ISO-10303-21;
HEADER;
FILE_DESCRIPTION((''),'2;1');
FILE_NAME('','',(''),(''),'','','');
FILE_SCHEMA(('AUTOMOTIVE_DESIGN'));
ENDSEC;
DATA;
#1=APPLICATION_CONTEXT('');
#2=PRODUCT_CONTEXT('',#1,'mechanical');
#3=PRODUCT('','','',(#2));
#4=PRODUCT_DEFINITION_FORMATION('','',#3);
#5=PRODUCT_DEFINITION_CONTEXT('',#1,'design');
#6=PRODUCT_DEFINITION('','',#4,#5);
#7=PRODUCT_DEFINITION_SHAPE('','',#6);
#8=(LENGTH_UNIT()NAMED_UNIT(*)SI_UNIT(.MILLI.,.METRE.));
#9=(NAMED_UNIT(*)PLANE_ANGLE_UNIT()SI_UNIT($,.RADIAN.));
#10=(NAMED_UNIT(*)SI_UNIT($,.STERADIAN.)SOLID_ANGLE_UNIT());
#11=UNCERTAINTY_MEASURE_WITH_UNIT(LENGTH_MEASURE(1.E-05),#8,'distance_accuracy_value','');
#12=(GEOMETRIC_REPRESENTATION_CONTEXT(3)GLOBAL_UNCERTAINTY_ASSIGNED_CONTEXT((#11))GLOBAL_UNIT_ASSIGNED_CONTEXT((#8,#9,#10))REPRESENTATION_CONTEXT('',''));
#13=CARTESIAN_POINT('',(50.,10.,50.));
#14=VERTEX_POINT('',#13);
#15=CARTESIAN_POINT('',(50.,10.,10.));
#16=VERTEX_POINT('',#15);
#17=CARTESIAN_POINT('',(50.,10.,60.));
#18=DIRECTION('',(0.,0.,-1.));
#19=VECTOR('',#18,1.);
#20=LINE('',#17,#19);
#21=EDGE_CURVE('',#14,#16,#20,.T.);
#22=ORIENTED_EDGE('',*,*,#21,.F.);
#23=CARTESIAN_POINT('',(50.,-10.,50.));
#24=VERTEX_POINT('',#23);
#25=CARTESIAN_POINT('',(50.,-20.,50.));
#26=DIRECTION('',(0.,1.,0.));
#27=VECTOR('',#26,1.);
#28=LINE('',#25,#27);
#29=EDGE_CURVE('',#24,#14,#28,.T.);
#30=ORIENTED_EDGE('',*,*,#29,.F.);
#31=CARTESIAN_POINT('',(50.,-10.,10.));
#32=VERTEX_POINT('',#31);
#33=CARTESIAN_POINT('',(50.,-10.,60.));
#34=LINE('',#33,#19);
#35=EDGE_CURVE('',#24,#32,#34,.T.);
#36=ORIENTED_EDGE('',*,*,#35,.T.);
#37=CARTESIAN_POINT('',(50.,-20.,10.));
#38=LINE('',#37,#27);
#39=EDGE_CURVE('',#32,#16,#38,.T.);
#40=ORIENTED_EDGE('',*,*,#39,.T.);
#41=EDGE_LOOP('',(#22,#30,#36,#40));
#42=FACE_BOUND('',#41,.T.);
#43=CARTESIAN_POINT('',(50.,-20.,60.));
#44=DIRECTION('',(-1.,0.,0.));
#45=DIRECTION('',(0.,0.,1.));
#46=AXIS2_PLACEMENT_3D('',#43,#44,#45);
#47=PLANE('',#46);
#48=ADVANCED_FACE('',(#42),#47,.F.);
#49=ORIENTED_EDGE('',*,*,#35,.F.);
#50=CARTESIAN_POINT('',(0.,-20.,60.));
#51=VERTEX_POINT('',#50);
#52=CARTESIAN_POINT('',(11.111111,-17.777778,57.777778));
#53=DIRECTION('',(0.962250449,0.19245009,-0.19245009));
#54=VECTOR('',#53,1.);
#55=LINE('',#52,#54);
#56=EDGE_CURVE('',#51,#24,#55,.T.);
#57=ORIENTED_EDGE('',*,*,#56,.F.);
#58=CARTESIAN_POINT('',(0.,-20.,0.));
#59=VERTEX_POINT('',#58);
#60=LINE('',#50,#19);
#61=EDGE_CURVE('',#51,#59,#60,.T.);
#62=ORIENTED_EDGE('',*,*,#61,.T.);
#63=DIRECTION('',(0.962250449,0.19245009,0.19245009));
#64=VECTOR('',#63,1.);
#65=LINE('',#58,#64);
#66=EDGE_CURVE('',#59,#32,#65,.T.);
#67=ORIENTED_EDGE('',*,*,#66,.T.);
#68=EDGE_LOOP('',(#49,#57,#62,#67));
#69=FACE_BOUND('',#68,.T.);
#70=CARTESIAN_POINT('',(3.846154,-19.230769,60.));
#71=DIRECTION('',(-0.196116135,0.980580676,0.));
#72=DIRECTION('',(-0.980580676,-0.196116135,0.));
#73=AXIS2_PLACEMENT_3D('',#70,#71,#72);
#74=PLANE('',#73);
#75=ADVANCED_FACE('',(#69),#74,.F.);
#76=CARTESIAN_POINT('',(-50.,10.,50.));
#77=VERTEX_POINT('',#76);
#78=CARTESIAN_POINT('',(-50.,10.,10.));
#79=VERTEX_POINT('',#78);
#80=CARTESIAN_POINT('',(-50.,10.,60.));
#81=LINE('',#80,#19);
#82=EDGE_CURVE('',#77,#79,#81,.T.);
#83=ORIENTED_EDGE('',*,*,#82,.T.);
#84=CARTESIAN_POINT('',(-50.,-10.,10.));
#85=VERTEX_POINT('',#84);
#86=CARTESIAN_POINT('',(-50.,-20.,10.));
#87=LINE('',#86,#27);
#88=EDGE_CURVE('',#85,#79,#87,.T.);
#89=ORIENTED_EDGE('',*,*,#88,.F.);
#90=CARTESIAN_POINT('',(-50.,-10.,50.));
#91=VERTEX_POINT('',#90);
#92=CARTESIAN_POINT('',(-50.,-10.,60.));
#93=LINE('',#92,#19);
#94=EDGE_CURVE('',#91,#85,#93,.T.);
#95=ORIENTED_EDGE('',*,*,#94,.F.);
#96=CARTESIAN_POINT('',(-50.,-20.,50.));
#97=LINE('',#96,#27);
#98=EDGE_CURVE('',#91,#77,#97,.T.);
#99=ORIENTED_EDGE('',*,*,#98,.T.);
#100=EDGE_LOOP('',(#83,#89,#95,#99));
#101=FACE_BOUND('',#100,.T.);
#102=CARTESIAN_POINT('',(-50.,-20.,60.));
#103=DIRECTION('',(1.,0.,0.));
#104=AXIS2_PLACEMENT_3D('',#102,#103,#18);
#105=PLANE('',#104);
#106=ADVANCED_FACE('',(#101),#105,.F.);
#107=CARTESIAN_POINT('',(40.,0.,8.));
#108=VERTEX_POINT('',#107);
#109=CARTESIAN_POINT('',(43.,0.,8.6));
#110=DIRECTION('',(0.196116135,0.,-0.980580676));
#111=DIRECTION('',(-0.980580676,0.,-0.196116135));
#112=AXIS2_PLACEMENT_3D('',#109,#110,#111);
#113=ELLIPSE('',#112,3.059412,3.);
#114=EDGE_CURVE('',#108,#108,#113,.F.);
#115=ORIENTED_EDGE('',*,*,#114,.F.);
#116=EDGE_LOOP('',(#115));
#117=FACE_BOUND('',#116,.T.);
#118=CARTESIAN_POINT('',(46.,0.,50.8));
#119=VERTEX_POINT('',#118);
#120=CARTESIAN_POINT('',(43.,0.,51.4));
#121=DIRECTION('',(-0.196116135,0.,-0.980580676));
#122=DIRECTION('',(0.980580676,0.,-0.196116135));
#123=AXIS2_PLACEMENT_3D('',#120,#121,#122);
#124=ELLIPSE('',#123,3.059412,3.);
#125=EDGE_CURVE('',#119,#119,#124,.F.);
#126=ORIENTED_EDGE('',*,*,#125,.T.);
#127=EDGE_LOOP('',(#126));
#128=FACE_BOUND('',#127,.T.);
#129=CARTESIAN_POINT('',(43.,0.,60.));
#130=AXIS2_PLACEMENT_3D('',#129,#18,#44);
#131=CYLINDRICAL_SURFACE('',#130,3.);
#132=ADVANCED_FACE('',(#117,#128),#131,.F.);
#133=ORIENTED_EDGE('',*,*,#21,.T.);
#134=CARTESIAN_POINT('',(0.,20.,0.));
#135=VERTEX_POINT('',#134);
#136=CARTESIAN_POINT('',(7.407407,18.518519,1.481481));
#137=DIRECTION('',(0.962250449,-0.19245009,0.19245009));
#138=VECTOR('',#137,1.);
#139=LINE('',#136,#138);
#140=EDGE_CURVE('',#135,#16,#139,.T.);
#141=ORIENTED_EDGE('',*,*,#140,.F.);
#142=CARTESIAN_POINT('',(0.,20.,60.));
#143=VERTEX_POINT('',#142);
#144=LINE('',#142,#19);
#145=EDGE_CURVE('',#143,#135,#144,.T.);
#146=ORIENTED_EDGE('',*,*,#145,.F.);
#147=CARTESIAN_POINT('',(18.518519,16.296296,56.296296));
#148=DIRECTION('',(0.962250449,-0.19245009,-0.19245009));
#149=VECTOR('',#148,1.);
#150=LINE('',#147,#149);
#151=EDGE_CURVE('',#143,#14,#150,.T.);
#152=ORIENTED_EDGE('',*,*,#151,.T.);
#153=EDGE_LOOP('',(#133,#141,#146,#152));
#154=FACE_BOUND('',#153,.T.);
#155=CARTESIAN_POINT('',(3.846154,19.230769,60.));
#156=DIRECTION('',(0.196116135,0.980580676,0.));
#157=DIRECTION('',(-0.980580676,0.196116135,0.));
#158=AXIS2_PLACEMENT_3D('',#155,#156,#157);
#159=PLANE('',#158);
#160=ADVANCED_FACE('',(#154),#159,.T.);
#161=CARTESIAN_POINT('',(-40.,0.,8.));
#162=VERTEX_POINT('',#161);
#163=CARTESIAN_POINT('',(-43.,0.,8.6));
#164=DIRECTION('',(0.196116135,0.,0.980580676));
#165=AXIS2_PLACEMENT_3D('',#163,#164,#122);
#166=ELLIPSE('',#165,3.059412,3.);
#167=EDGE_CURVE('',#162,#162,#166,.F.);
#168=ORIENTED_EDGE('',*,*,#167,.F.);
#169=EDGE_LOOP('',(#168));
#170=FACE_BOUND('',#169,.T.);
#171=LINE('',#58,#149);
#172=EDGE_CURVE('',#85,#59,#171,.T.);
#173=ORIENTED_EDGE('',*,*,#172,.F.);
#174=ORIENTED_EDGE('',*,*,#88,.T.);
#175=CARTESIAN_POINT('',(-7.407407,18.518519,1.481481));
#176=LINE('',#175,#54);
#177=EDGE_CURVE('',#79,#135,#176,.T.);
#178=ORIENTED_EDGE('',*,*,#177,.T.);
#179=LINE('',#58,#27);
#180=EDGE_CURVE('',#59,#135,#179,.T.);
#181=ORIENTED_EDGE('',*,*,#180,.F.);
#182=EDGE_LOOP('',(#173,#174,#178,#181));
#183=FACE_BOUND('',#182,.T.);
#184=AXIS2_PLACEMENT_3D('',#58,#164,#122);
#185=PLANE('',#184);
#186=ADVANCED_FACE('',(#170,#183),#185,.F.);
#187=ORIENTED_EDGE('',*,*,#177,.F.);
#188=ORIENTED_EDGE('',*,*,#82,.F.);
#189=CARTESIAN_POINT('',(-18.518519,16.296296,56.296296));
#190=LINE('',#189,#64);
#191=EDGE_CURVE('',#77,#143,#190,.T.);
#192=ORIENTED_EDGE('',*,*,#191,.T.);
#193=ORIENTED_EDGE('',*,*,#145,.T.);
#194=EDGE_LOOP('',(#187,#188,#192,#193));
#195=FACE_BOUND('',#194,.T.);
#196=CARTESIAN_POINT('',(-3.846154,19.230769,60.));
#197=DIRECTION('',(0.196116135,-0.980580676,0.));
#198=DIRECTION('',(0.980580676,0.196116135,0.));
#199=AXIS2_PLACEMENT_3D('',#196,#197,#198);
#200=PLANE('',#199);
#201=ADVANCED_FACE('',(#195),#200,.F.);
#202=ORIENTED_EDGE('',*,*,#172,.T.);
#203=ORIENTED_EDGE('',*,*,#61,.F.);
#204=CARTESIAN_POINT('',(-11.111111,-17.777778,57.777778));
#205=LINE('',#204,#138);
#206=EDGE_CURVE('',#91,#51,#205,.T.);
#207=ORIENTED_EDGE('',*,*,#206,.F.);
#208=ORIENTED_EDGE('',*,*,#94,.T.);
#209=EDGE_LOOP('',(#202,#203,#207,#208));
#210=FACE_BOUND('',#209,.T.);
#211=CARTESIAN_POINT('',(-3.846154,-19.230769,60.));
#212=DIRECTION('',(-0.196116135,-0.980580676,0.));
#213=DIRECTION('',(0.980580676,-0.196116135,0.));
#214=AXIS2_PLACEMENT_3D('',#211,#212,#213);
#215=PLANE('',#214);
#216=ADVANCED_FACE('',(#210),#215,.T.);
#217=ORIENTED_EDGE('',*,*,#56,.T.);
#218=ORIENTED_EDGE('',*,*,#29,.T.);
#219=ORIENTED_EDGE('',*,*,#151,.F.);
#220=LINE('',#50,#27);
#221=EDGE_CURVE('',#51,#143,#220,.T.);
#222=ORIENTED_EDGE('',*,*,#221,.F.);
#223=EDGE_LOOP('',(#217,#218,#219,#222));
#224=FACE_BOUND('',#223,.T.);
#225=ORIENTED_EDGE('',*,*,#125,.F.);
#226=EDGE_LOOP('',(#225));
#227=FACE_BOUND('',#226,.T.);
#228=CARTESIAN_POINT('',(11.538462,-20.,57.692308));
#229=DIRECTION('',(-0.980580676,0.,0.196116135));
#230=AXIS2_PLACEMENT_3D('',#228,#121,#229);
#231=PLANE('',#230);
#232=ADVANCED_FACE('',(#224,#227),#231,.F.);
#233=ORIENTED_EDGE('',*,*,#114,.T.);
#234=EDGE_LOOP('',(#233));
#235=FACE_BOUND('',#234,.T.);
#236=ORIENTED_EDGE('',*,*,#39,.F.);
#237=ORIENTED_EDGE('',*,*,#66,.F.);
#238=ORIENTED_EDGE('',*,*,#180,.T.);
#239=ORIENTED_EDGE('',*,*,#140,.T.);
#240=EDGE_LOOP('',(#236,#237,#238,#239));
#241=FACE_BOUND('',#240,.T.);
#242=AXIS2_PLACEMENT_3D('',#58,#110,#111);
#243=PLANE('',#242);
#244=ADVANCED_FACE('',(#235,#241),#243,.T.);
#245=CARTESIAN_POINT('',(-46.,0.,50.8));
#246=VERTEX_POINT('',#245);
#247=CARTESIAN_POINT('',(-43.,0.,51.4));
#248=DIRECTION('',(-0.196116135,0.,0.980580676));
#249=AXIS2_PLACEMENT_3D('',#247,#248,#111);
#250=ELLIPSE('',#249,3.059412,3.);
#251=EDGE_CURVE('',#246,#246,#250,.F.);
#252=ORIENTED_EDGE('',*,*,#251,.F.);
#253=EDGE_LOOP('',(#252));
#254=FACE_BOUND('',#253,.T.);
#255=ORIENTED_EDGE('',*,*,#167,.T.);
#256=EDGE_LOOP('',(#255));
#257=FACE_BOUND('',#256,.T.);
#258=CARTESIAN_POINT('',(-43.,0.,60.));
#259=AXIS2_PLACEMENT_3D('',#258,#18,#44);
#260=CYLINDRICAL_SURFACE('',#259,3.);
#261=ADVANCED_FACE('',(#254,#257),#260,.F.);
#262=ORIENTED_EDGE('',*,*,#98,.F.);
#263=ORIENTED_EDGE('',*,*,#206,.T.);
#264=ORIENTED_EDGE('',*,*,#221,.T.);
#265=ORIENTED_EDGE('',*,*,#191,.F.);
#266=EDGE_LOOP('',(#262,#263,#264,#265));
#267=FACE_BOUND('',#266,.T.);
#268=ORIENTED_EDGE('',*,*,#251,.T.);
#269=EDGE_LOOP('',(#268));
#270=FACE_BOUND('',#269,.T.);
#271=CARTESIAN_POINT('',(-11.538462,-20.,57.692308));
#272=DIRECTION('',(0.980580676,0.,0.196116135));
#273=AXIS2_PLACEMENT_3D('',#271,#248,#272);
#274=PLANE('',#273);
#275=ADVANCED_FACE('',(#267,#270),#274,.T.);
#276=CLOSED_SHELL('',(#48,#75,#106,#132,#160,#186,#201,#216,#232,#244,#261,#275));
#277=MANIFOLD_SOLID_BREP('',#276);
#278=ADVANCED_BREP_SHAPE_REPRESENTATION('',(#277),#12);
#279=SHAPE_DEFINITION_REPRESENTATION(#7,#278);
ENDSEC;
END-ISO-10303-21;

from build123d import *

# Parameters (mm, degrees)
SKETCH1_W           = 100
SKETCH1_H           = 40
BOSS_EXTRUDE1_DEPTH = 60
CUT_EXTRUDE1_DEPTH  = 40
CUT_EXTRUDE2_DEPTH  = 81.622577483
SKETCH5_R           = 3
CUT_EXTRUDE3_DEPTH  = 81.622577483


with BuildPart() as part:
    # Sketch1 → Boss-Extrude1 (new body)
    with BuildSketch(Plane.XY):
        Rectangle(SKETCH1_W, SKETCH1_H)
    extrude(amount=BOSS_EXTRUDE1_DEPTH)

    # Sketch2 → Cut-Extrude1 (cut)
    with BuildSketch(Plane(origin=(0, 20, 0), x_dir=(1, 0, 0), z_dir=(0, 1, 0))):
        Polygon((0, -60), (-50, -50), (-50, -60), align=None)
        Polygon((50, -50), (0, -60), (50, -60), align=None)
        Polygon((50, 0), (0, 0), (50, -10), align=None)
        Polygon((-50, 0), (-50, -10), (0, 0), align=None)
    extrude(amount=-CUT_EXTRUDE1_DEPTH, mode=Mode.SUBTRACT)

    # Sketch4 → Cut-Extrude2 (cut, through all)
    with BuildSketch(Plane.XY):
        Polygon((-50, 20), (0, 20), (-50, 10), align=None)
        Polygon((50, 20), (50, 10), (0, 20), align=None)
        Polygon((50, -20), (0, -20), (50, -10), align=None)
        Polygon((-50, -10), (-50, -20), (0, -20), align=None)
    extrude(amount=CUT_EXTRUDE2_DEPTH, mode=Mode.SUBTRACT)

    # Sketch5 → Cut-Extrude3 (cut, through all)
    with BuildSketch(Plane.XY):
        with Locations(Location((-43, 0, 0), (0, 0, 180))):
            Circle(SKETCH5_R)
        with Locations(Location((43, 0, 0), (0, 0, 180))):
            Circle(SKETCH5_R)
    extrude(amount=CUT_EXTRUDE3_DEPTH, mode=Mode.SUBTRACT)


solid = part.part
